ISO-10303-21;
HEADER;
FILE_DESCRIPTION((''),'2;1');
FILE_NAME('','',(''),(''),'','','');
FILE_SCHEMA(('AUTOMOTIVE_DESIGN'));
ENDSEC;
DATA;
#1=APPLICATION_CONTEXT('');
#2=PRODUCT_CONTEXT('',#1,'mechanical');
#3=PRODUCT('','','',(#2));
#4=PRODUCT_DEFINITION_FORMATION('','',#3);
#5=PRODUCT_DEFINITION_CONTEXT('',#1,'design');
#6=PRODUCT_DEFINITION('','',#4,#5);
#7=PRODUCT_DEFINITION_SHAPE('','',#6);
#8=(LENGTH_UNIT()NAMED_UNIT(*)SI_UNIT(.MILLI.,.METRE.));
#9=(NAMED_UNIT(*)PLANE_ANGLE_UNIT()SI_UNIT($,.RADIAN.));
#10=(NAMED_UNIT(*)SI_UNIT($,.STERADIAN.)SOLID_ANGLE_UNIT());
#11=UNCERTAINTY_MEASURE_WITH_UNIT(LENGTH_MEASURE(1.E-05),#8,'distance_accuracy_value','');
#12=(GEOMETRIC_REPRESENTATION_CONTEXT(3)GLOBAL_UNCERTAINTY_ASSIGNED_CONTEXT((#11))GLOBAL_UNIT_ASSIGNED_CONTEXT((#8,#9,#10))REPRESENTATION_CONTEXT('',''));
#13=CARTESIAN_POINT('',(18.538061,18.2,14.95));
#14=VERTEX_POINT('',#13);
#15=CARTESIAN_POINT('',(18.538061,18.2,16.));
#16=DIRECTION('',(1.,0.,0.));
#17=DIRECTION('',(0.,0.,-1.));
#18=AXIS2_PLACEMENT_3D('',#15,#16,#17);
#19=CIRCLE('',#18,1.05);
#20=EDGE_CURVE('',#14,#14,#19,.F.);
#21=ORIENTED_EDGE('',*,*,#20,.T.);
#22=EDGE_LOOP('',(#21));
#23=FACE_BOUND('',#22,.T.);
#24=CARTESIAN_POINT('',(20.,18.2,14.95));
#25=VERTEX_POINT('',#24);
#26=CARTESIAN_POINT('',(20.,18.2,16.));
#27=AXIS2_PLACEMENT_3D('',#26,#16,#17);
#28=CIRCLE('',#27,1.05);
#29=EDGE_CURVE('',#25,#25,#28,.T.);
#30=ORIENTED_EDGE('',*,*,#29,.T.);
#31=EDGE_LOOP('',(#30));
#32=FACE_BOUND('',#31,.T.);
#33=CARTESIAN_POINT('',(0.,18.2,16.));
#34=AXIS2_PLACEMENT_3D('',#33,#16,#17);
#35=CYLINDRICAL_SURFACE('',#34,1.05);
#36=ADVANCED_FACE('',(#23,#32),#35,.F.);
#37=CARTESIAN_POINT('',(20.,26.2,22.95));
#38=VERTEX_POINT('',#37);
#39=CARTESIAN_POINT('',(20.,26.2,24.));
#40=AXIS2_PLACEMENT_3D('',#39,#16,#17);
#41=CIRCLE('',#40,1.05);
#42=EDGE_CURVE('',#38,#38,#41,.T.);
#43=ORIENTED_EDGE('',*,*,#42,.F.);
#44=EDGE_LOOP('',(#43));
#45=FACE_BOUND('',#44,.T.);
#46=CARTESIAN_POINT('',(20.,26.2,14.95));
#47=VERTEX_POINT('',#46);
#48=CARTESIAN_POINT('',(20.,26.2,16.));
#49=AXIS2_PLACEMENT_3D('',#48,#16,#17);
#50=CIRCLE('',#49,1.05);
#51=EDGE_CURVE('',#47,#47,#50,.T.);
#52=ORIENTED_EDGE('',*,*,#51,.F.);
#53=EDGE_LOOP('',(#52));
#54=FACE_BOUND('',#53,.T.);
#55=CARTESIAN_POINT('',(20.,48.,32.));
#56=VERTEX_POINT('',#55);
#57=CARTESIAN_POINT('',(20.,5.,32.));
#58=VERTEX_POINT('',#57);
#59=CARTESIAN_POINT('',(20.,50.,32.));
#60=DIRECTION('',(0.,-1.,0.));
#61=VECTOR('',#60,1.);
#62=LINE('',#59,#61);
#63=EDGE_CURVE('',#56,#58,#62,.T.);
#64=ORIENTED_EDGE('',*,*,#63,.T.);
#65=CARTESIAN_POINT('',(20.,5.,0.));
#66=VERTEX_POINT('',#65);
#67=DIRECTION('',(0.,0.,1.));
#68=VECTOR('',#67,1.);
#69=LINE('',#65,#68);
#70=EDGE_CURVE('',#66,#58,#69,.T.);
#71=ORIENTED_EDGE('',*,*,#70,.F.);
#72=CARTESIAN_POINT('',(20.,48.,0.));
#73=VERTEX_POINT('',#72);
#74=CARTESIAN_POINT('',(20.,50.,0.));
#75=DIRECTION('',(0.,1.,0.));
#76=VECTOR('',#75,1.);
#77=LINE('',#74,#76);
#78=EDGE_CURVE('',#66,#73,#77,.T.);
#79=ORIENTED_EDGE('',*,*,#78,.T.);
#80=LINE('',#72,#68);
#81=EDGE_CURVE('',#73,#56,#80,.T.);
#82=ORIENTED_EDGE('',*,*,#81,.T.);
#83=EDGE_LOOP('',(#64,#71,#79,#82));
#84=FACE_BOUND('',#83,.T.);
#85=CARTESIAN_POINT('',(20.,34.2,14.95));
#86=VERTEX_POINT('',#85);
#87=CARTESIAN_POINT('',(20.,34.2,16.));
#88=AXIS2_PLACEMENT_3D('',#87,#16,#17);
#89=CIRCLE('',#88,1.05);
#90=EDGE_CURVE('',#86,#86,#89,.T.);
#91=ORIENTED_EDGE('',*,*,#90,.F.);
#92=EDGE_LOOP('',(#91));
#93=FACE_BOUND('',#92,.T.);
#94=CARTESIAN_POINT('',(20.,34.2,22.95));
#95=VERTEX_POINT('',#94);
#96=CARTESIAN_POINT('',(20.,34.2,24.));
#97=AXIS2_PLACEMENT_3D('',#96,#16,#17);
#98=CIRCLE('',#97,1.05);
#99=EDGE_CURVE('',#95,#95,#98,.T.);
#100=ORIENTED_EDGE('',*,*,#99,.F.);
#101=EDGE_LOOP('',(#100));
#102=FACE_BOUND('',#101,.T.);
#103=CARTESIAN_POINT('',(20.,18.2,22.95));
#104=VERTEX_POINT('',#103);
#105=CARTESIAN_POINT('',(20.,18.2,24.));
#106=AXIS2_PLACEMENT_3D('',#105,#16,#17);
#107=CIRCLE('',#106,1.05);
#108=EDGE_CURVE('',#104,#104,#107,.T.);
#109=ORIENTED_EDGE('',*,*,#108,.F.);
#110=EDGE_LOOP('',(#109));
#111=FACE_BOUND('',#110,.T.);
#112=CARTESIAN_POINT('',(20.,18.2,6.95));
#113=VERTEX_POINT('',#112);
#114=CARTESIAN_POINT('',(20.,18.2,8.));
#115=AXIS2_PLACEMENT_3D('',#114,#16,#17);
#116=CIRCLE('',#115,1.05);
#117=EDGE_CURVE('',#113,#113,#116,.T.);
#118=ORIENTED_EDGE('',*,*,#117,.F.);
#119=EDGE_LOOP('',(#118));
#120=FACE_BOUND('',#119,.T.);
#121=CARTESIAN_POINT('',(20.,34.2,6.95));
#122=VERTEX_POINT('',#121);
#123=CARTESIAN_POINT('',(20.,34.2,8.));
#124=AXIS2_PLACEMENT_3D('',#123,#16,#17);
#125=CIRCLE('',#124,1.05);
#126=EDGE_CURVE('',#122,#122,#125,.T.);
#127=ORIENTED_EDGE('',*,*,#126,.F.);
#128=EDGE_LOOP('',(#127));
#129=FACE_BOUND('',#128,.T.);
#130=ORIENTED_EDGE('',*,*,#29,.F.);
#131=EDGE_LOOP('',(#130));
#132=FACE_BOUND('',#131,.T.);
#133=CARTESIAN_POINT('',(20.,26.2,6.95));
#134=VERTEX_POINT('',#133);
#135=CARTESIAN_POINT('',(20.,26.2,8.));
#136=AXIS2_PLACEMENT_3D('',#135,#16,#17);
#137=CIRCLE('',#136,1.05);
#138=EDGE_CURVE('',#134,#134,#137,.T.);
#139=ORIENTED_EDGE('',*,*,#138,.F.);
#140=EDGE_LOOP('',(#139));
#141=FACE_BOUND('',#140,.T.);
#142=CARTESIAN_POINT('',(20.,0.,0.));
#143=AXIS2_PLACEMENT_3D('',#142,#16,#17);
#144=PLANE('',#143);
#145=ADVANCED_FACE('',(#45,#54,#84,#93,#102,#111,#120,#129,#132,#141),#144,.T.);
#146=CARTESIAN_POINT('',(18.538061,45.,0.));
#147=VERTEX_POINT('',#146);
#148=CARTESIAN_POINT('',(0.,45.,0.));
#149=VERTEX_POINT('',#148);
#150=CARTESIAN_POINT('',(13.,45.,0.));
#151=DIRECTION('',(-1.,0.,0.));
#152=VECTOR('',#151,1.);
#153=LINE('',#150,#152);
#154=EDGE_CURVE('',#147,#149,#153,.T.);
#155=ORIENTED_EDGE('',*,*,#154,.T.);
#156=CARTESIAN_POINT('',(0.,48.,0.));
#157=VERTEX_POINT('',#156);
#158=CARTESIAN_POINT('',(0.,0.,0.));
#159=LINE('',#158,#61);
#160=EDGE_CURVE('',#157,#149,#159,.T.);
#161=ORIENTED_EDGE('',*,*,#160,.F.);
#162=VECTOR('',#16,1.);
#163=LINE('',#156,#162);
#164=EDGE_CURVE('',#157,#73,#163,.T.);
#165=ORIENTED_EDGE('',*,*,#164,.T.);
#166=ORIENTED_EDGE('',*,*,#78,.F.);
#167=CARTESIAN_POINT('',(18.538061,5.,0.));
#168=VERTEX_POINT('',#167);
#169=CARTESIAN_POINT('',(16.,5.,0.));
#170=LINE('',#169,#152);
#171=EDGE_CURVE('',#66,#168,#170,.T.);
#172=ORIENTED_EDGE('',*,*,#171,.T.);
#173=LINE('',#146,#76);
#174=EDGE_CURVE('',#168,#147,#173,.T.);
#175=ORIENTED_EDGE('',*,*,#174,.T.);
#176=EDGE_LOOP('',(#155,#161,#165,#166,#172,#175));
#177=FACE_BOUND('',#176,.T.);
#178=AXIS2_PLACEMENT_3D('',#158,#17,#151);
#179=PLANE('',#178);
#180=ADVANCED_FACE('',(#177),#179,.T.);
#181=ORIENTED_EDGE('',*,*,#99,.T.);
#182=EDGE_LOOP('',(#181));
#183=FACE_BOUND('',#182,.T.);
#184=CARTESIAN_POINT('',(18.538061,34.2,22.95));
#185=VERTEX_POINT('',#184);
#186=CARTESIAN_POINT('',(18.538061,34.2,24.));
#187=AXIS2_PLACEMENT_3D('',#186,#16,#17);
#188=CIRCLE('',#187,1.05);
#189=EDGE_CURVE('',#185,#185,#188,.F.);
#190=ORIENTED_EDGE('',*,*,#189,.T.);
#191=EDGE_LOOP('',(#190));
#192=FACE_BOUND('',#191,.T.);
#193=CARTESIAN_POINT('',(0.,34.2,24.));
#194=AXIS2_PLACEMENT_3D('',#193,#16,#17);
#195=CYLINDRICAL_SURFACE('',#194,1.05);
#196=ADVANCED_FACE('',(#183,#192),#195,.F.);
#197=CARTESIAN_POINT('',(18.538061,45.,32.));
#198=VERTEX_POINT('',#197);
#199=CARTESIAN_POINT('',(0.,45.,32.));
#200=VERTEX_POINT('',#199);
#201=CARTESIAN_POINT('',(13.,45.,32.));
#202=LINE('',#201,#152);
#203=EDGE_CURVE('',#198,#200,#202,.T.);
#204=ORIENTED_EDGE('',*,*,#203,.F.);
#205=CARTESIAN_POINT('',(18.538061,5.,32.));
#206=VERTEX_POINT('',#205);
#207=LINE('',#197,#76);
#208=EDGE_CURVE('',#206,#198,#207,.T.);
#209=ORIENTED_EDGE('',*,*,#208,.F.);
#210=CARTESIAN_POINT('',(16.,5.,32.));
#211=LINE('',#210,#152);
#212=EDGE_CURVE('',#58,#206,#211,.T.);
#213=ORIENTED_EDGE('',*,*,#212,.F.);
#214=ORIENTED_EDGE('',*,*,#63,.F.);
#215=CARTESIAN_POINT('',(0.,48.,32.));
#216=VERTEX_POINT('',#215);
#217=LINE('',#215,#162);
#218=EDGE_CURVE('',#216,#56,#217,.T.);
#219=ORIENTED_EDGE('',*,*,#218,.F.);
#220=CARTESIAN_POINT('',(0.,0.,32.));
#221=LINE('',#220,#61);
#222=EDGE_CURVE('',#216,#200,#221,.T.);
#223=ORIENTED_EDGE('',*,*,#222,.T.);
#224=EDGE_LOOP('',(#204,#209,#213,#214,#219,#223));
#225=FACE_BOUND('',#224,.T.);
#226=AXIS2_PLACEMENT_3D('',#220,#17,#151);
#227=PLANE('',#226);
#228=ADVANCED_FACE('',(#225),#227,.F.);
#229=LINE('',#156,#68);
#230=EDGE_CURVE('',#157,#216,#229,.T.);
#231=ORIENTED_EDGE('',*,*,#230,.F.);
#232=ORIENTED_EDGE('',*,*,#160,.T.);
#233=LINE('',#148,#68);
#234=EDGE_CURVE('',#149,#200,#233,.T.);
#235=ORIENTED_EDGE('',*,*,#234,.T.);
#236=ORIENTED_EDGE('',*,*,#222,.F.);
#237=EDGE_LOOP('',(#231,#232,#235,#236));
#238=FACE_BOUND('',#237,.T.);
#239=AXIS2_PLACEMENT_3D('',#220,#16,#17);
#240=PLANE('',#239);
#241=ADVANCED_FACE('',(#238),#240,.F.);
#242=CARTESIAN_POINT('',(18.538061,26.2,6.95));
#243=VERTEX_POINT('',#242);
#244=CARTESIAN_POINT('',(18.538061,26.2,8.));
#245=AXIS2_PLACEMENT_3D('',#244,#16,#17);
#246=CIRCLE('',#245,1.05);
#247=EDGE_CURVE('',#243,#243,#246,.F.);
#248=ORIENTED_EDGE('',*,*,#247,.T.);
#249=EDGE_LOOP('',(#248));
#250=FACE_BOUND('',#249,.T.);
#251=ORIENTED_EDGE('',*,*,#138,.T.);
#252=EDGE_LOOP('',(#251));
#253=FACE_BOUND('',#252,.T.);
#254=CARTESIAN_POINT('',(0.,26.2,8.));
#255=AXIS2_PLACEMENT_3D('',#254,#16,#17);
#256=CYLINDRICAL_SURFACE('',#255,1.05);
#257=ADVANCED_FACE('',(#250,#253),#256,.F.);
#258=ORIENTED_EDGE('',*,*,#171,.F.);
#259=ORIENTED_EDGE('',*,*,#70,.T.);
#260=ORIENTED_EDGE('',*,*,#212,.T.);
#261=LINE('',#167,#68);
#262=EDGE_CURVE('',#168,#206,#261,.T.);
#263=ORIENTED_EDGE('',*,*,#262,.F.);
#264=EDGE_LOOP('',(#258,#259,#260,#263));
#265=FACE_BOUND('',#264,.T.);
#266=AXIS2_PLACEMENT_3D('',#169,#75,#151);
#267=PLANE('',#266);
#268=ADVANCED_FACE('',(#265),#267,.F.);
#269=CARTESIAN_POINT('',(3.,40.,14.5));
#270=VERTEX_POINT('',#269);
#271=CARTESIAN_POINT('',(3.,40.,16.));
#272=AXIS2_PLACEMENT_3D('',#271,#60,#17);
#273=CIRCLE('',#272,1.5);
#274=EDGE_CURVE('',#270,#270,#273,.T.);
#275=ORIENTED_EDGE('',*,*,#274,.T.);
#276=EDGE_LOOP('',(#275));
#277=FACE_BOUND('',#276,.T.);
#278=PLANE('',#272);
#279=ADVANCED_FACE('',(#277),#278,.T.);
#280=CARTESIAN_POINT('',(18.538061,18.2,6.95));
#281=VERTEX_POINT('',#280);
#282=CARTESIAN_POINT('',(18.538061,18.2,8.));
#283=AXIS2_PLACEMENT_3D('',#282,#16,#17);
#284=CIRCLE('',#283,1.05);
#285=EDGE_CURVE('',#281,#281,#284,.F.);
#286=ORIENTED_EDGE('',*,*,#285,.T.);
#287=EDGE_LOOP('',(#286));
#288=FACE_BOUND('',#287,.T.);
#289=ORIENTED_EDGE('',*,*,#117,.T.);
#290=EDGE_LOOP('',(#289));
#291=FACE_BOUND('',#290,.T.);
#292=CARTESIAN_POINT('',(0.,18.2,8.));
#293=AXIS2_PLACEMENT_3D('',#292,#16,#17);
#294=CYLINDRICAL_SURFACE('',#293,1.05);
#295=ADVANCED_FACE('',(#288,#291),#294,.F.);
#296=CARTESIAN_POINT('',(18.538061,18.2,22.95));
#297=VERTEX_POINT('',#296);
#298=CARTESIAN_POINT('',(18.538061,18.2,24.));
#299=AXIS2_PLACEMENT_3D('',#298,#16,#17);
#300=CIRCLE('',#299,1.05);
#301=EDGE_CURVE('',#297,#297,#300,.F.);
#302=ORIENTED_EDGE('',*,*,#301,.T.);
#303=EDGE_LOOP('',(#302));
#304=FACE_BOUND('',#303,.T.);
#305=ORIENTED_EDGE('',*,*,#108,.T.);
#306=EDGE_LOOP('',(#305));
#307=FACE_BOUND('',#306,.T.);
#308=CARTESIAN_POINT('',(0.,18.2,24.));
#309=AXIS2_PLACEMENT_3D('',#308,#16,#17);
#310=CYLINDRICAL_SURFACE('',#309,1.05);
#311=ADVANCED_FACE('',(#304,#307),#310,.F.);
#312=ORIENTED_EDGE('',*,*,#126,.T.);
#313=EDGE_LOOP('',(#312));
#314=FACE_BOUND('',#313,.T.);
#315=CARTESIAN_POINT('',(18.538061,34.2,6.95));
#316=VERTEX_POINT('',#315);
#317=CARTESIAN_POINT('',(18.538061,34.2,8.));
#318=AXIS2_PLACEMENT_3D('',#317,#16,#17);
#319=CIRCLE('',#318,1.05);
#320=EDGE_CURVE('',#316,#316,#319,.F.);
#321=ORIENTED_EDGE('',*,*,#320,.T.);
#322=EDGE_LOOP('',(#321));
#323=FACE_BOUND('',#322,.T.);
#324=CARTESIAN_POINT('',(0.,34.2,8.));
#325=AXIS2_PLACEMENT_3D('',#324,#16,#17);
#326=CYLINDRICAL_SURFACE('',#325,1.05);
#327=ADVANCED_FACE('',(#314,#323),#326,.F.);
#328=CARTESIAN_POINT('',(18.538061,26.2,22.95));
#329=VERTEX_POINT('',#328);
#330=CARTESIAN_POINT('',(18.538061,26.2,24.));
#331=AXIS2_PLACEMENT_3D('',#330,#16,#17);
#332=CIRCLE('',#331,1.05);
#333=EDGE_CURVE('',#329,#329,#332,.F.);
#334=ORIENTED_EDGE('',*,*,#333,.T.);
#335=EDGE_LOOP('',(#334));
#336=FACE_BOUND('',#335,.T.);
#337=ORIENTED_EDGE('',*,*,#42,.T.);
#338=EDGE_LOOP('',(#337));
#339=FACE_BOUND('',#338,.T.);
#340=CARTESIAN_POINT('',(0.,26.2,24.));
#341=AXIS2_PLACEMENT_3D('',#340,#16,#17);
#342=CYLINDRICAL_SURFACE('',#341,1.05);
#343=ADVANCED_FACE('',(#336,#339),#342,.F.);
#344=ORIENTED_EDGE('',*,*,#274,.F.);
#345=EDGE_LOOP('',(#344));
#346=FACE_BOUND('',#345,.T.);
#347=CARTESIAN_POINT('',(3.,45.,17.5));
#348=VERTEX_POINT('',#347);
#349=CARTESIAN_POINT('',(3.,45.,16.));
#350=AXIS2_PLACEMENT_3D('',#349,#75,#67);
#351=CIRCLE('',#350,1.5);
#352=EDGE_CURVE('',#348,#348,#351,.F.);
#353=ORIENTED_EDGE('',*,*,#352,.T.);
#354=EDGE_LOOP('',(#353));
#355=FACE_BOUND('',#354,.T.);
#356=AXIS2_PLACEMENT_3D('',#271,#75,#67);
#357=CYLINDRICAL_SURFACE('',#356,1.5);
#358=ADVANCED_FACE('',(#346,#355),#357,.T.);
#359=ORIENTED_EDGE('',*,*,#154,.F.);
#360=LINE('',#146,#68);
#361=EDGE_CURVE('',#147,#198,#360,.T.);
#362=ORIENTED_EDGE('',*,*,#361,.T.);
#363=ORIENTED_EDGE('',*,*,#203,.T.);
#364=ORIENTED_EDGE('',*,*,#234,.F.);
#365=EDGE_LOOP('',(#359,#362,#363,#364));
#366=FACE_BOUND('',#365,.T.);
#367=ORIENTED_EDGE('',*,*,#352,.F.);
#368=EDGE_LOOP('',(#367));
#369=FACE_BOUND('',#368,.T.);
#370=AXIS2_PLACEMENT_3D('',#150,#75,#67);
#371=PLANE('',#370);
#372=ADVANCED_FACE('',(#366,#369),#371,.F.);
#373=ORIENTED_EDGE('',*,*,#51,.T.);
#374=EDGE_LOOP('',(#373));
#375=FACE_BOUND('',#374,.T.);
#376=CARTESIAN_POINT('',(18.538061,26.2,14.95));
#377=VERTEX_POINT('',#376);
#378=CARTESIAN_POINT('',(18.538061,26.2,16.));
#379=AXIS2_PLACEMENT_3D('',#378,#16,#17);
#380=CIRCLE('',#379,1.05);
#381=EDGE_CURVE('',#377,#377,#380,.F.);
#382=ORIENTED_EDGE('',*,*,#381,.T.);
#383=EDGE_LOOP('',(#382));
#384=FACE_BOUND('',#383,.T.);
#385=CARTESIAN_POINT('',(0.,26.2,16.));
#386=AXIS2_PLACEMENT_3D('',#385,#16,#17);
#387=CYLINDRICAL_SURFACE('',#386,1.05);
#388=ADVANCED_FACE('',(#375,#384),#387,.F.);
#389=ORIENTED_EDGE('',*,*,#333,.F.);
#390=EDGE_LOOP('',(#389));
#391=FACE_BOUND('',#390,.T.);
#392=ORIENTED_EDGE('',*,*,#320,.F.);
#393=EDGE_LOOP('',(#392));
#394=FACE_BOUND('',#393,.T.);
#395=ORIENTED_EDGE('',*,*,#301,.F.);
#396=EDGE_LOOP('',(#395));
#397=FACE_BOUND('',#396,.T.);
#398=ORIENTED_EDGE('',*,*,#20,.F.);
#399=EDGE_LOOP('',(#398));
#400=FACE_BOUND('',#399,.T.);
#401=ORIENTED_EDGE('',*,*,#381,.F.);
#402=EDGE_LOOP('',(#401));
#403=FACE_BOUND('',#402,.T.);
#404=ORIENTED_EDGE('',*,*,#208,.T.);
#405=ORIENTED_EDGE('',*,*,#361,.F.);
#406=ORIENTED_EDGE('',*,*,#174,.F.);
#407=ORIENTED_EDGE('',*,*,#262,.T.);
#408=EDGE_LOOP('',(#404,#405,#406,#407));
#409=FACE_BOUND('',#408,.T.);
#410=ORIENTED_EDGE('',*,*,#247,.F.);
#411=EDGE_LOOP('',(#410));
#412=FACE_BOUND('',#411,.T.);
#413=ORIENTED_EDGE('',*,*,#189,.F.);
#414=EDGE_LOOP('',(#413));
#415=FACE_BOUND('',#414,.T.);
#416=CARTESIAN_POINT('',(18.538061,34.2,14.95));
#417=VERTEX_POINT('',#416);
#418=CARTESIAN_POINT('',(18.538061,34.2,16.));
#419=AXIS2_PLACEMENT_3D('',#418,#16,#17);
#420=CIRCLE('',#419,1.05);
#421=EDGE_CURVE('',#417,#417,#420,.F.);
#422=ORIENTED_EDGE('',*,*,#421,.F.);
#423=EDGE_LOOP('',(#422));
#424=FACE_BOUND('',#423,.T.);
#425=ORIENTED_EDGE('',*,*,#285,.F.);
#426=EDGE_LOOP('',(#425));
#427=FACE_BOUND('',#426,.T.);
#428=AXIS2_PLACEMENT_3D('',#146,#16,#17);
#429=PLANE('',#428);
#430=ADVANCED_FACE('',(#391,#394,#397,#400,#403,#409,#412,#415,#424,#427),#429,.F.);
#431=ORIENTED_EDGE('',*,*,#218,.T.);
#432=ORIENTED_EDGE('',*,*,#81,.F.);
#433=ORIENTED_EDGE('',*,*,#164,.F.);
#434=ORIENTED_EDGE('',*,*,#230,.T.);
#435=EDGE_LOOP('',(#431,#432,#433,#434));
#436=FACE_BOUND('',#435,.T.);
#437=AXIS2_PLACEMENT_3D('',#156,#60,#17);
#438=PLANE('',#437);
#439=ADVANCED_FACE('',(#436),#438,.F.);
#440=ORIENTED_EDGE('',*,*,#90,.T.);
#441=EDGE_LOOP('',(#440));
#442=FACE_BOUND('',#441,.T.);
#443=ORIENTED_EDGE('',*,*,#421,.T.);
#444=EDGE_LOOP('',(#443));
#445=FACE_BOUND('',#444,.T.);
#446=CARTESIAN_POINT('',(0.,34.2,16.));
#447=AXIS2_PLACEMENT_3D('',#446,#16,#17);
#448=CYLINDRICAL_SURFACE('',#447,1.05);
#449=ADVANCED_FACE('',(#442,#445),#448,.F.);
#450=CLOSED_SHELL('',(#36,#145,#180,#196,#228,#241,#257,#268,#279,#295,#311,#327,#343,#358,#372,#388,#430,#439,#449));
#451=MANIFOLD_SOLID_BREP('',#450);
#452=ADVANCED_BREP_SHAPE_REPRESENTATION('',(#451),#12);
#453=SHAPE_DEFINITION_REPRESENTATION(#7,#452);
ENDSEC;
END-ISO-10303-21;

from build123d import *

# Parameters (mm, degrees)
SKETCH_1_W          = 15
SKETCH_1_H          = 40
EXTRUDE_1_DEPTH     = 32
SKETCH_3_W          = 15
SKETCH_3_H          = 32
EXTRUDE_2_DEPTH     = 10
SKETCH_5_W          = 13
SKETCH_5_H          = 45
CUT_EXTRUDE_1_DEPTH = 62.229078059
SKETCH_7_W          = 32
SKETCH_7_H          = 50
EXTRUDE_3_DEPTH     = 5
SKETCH_8_W          = 3
SKETCH_8_H          = 40
CUT_EXTRUDE_2_DEPTH = 63.641839053
SKETCH_9_W          = 3
SKETCH_9_H          = 5
CUT_EXTRUDE_3_DEPTH = 63.641839053
SKETCH_10_R         = 1.5
EXTRUDE_4_DEPTH     = 5
SKETCH_11_R         = 1.05
CUT_EXTRUDE_4_DEPTH = 63.641839053
SKETCH_12_W         = 4
SKETCH_12_H         = 5
CUT_EXTRUDE_5_DEPTH = 63.641839053
SKETCH_13_W         = 2.538060983
SKETCH_13_H         = 40
CUT_EXTRUDE_6_DEPTH = 63.641839053
SKETCH_14_W         = 20
SKETCH_14_H         = 2
CUT_EXTRUDE_7_DEPTH = 63.641839053


with BuildPart() as part:
    # 草图1 → 凸台-拉伸1 (new body)
    with BuildSketch(Plane.XY):
        with Locations((7.5, 20)):
            Rectangle(SKETCH_1_W, SKETCH_1_H)
    extrude(amount=EXTRUDE_1_DEPTH)

    # 草图3 → 凸台-拉伸2 (add)
    with BuildSketch(Plane(origin=(0, 40, 0), x_dir=(1, 0, 0), z_dir=(0, 1, 0))):
        with Locations((7.5, -16)):
            Rectangle(SKETCH_3_W, SKETCH_3_H)
    extrude(amount=EXTRUDE_2_DEPTH)

    # 草图5 → 切除-拉伸1 (cut, through all)
    with BuildSketch(Plane.XY.offset(32)):
        with Locations((6.5, 22.5)):
            Rectangle(SKETCH_5_W, SKETCH_5_H)
    extrude(amount=-CUT_EXTRUDE_1_DEPTH, mode=Mode.SUBTRACT)

    # 草图7 → 凸台-拉伸3 (add)
    with BuildSketch(Plane(origin=(15, 0, 0), x_dir=(0, 0, -1), z_dir=(1, 0, 0))):
        with Locations((-16, 25)):
            Rectangle(SKETCH_7_W, SKETCH_7_H)
    extrude(amount=EXTRUDE_3_DEPTH)

    # 草图8 → 切除-拉伸2 (cut, through all)
    with BuildSketch(Plane.XY.offset(32)):
        with Locations((14.5, 25)):
            Rectangle(SKETCH_8_W, SKETCH_8_H)
    extrude(amount=-CUT_EXTRUDE_2_DEPTH, mode=Mode.SUBTRACT)

    # 草图9 → 切除-拉伸3 (cut, through all)
    with BuildSketch(Plane.XY.offset(32)):
        with Locations((14.5, 2.5)):
            Rectangle(SKETCH_9_W, SKETCH_9_H)
    extrude(amount=-CUT_EXTRUDE_3_DEPTH, mode=Mode.SUBTRACT)

    # 草图10 → 凸台-拉伸4 (add)
    with BuildSketch(Plane.XZ.offset(-45)):
        with Locations(Location((3, 16, 0), (0, 0, 90))):
            Circle(SKETCH_10_R)
    extrude(amount=EXTRUDE_4_DEPTH)

    # 草图11 → 切除-拉伸4 (cut, through all)
    with BuildSketch(Plane(origin=(20, 0, 0), x_dir=(0, 0, -1), z_dir=(1, 0, 0))):
        with Locations((-24, 34.2)):
            Circle(SKETCH_11_R)
        with Locations((-24, 26.2)):
            Circle(SKETCH_11_R)
        with Locations((-24, 18.2)):
            Circle(SKETCH_11_R)
        with Locations((-16, 34.2)):
            Circle(SKETCH_11_R)
        with Locations((-16, 26.2)):
            Circle(SKETCH_11_R)
        with Locations((-16, 18.2)):
            Circle(SKETCH_11_R)
        with Locations((-8, 18.2)):
            Circle(SKETCH_11_R)
        with Locations((-8, 26.2)):
            Circle(SKETCH_11_R)
        with Locations((-8, 34.2)):
            Circle(SKETCH_11_R)
    extrude(amount=-CUT_EXTRUDE_4_DEPTH, mode=Mode.SUBTRACT)

    # 草图12 → 切除-拉伸5 (cut, through all)
    with BuildSketch(Plane.XY.offset(32)):
        with Locations((18, 2.5)):
            Rectangle(SKETCH_12_W, SKETCH_12_H)
    extrude(amount=-CUT_EXTRUDE_5_DEPTH, mode=Mode.SUBTRACT)

    # 草图13 → 切除-拉伸6 (cut, through all)
    with BuildSketch(Plane.XY.offset(32)):
        with Locations((17.269030492, 25)):
            Rectangle(SKETCH_13_W, SKETCH_13_H)
    extrude(amount=-CUT_EXTRUDE_6_DEPTH, mode=Mode.SUBTRACT)

    # 草图14 → 切除-拉伸7 (cut, through all)
    with BuildSketch(Plane.XY.offset(32)):
        with Locations((10, 49)):
            Rectangle(SKETCH_14_W, SKETCH_14_H)
    extrude(amount=-CUT_EXTRUDE_7_DEPTH, mode=Mode.SUBTRACT)


solid = part.part
